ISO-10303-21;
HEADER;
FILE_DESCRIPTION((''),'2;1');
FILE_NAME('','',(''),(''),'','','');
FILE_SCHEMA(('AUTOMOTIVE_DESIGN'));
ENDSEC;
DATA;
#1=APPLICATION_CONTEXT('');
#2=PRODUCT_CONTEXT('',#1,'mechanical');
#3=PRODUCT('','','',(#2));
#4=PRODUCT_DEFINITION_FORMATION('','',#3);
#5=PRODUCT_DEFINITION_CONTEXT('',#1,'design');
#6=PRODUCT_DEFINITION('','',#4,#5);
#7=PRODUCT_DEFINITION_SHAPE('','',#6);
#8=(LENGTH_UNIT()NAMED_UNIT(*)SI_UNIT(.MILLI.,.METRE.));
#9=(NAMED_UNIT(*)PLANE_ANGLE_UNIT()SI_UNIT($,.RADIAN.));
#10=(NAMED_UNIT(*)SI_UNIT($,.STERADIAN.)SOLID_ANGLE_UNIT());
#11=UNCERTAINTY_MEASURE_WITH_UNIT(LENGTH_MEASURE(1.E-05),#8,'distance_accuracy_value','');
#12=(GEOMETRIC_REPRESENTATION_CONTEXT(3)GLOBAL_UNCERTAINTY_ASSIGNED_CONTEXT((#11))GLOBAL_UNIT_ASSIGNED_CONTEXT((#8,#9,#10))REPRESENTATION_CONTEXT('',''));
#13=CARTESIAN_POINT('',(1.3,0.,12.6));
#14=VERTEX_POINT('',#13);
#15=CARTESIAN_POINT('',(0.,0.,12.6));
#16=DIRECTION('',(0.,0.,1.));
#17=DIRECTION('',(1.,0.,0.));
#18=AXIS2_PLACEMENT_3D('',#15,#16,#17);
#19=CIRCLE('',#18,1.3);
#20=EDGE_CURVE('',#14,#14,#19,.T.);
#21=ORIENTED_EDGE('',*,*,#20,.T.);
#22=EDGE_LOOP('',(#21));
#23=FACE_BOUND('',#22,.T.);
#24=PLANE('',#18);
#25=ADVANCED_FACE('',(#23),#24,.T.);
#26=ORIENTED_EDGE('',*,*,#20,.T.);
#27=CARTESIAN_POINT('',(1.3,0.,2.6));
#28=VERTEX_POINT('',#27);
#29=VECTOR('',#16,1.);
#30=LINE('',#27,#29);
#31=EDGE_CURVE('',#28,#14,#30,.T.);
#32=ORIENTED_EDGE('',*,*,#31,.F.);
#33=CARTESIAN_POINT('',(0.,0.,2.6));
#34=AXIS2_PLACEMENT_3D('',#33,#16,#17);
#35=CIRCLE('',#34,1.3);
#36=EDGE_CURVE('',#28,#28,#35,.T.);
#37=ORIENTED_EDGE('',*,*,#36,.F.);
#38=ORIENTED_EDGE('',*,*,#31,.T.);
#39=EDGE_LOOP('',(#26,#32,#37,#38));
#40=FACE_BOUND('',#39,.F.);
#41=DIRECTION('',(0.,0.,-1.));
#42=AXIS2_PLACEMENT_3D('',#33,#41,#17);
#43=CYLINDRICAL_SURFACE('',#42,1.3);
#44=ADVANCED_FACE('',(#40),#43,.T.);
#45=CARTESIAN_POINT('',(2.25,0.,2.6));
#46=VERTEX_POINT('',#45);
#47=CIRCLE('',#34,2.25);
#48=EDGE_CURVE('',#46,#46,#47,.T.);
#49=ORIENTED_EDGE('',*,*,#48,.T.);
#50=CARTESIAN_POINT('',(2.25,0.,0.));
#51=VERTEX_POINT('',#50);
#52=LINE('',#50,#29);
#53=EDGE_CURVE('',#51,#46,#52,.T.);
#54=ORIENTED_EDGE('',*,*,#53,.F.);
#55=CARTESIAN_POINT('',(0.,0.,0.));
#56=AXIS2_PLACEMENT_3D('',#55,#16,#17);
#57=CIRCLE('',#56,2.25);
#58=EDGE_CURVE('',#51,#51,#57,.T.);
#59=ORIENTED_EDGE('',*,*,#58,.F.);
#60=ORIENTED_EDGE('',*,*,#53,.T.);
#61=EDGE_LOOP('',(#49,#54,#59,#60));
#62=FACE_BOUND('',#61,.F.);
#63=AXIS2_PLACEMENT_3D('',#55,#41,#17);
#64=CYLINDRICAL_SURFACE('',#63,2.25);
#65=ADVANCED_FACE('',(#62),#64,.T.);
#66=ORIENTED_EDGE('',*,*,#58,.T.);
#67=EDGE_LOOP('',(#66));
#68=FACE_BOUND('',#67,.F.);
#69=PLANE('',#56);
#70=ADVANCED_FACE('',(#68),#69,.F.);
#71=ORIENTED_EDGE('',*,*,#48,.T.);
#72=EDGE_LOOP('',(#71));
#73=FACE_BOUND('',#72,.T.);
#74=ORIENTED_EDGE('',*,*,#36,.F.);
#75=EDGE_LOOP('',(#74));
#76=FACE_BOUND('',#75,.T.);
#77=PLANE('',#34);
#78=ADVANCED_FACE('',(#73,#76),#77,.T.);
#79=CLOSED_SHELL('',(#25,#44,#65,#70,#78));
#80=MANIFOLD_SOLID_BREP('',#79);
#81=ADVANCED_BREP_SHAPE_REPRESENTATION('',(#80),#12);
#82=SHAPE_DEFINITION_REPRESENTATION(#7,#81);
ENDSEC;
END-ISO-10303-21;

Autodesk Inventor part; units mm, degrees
ref_plane "YZ Plane" through (0, 0, 0) normal (1, 0, 0) x (0, 1, 0)
ref_plane "XZ Plane" through (0, 0, 0) normal (0, 1, 0) x (-1, 0, 0)
ref_plane "XY Plane" through (0, 0, 0) normal (0, 0, 1) x (1, 0, 0)
sketch "スケッチ1" plane through (0, 0, 0) normal (0, 0, 1) x (1, 0, 0)
  circle A0 centre (0, 0) radius 2.25
  dimension "d0" = 4.5
extrude "押し出し1" add sketch "スケッチ1" along normal blind 2.6
sketch "スケッチ2" plane through (0, 0, 2.6) normal (0, 0, 1) x (1, 0, 0)
  circle A0 centre (0, 0) radius 1.3
  dimension "d3" = 2.6
extrude "押し出し2" add sketch "スケッチ2" along normal blind 10
properties part number "M2.6 ボルト 10mm" material "鋼"
